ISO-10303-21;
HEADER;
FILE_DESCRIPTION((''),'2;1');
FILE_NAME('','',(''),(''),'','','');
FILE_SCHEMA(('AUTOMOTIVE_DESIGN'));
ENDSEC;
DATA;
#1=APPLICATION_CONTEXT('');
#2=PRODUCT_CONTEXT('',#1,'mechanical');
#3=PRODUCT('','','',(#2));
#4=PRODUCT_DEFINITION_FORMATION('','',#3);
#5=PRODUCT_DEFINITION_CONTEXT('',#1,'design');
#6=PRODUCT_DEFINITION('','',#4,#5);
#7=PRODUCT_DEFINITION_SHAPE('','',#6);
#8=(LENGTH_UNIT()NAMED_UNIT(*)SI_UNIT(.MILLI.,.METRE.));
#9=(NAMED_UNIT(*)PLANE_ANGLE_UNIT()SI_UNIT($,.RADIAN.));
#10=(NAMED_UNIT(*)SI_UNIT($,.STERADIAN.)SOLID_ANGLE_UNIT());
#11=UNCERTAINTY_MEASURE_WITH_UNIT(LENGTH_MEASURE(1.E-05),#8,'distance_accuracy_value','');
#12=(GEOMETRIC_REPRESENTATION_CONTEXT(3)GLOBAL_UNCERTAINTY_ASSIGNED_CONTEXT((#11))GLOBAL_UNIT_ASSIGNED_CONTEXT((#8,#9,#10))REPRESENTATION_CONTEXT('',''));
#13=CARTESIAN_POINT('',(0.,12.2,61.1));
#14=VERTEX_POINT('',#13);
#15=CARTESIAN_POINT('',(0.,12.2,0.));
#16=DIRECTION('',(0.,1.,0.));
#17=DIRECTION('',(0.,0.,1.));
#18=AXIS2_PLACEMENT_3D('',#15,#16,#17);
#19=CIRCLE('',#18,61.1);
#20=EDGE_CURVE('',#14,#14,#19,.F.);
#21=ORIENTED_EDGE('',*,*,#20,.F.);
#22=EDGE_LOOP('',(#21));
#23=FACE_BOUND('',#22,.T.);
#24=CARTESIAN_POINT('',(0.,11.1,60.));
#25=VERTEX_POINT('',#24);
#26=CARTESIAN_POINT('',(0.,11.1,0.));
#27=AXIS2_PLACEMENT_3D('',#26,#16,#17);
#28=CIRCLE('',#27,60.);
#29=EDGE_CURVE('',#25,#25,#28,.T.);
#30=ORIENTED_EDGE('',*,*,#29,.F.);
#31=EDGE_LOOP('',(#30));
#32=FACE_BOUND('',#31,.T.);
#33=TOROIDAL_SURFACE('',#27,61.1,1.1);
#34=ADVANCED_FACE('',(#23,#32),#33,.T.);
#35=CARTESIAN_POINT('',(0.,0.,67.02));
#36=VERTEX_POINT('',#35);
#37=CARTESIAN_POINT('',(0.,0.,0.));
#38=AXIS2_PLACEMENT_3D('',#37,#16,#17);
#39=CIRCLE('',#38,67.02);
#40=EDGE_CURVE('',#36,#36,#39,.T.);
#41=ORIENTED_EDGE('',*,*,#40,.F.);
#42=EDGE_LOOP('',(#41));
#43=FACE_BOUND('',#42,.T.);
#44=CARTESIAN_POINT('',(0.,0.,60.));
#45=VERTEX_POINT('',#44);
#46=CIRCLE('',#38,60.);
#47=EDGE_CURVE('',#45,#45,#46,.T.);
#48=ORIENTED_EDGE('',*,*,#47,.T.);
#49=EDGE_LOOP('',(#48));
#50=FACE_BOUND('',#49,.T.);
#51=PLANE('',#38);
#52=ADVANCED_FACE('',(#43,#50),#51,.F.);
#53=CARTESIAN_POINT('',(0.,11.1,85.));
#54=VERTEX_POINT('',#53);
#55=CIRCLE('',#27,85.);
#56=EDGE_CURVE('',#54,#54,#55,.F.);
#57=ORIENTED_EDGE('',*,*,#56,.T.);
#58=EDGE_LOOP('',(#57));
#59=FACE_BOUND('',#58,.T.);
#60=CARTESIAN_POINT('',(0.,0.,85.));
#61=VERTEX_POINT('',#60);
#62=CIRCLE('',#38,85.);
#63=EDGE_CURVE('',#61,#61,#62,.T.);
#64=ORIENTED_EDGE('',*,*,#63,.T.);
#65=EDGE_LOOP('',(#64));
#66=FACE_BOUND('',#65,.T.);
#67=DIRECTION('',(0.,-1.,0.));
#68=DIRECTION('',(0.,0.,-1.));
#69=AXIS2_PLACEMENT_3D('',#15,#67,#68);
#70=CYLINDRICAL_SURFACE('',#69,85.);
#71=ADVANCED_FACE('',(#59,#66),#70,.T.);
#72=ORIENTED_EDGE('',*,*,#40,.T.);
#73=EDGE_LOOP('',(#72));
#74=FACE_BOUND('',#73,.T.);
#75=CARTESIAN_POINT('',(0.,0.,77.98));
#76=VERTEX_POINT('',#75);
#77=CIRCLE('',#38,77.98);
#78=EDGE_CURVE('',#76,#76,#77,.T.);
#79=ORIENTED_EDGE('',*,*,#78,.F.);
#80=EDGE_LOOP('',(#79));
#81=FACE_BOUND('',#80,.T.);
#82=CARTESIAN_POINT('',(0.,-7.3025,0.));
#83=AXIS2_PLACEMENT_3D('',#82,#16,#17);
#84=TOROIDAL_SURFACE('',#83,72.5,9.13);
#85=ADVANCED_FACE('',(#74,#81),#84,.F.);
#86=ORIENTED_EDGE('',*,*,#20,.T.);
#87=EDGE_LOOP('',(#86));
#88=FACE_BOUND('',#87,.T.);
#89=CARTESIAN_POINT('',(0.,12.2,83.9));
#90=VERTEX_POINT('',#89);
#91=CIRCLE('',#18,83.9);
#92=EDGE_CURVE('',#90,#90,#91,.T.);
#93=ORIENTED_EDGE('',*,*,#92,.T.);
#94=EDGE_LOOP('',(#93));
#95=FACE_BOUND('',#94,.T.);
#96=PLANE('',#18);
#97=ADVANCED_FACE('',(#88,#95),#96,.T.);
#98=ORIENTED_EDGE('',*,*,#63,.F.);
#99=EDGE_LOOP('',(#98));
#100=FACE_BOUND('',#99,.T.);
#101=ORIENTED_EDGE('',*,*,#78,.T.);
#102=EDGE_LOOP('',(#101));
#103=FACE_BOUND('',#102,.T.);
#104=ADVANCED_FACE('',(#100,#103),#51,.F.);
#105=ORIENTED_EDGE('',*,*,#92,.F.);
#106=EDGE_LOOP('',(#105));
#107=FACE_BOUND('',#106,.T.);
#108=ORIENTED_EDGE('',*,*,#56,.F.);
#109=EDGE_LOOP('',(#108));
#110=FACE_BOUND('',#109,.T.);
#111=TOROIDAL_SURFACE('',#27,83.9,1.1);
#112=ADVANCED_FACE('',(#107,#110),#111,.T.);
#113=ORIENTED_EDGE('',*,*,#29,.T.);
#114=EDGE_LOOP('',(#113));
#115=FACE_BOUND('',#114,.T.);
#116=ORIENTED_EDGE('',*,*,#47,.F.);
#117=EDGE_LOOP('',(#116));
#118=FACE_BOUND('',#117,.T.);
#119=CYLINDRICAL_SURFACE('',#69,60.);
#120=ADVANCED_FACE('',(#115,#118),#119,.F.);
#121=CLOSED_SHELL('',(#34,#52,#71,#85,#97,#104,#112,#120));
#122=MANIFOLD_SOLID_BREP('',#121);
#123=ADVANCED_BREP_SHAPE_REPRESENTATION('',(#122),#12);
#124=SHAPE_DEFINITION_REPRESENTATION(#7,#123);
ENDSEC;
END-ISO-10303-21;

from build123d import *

# Parameters (mm, degrees)
SKETCH1_R           = 85
SKETCH1_R_2         = 60
BOSS_EXTRUDE1_DEPTH = 12.2
FILLET1_R           = 1.1


with BuildPart() as part:
    # Sketch1 → Boss-Extrude1 (new body)
    with BuildSketch(Plane(origin=(0, 0, 0), x_dir=(1, 0, 0), z_dir=(0, 1, 0))):
        Circle(SKETCH1_R)
        Circle(SKETCH1_R_2, mode=Mode.SUBTRACT)
    extrude(amount=BOSS_EXTRUDE1_DEPTH)

    # Fillet1
    fillet1_edges = [part.edges().sort_by_distance(p)[0] for p in [
        (-85, 12.2, 0),
        (-60, 12.2, 0),
    ]]
    fillet(fillet1_edges, radius=FILLET1_R)

    # Sketch2 → Cut-Revolve1 (revolve, cut)
    with BuildSketch(Plane.XY):
        with BuildLine():
            Line((-77.98, 0), (-67.02, 0))
            ThreePointArc((-67.02, 0), (-72.5, 1.827500428), (-77.98, 0))
        make_face()
    revolve(axis=Axis((0, 11.1, 0), (0, -1, 0)), mode=Mode.SUBTRACT)


solid = part.part
